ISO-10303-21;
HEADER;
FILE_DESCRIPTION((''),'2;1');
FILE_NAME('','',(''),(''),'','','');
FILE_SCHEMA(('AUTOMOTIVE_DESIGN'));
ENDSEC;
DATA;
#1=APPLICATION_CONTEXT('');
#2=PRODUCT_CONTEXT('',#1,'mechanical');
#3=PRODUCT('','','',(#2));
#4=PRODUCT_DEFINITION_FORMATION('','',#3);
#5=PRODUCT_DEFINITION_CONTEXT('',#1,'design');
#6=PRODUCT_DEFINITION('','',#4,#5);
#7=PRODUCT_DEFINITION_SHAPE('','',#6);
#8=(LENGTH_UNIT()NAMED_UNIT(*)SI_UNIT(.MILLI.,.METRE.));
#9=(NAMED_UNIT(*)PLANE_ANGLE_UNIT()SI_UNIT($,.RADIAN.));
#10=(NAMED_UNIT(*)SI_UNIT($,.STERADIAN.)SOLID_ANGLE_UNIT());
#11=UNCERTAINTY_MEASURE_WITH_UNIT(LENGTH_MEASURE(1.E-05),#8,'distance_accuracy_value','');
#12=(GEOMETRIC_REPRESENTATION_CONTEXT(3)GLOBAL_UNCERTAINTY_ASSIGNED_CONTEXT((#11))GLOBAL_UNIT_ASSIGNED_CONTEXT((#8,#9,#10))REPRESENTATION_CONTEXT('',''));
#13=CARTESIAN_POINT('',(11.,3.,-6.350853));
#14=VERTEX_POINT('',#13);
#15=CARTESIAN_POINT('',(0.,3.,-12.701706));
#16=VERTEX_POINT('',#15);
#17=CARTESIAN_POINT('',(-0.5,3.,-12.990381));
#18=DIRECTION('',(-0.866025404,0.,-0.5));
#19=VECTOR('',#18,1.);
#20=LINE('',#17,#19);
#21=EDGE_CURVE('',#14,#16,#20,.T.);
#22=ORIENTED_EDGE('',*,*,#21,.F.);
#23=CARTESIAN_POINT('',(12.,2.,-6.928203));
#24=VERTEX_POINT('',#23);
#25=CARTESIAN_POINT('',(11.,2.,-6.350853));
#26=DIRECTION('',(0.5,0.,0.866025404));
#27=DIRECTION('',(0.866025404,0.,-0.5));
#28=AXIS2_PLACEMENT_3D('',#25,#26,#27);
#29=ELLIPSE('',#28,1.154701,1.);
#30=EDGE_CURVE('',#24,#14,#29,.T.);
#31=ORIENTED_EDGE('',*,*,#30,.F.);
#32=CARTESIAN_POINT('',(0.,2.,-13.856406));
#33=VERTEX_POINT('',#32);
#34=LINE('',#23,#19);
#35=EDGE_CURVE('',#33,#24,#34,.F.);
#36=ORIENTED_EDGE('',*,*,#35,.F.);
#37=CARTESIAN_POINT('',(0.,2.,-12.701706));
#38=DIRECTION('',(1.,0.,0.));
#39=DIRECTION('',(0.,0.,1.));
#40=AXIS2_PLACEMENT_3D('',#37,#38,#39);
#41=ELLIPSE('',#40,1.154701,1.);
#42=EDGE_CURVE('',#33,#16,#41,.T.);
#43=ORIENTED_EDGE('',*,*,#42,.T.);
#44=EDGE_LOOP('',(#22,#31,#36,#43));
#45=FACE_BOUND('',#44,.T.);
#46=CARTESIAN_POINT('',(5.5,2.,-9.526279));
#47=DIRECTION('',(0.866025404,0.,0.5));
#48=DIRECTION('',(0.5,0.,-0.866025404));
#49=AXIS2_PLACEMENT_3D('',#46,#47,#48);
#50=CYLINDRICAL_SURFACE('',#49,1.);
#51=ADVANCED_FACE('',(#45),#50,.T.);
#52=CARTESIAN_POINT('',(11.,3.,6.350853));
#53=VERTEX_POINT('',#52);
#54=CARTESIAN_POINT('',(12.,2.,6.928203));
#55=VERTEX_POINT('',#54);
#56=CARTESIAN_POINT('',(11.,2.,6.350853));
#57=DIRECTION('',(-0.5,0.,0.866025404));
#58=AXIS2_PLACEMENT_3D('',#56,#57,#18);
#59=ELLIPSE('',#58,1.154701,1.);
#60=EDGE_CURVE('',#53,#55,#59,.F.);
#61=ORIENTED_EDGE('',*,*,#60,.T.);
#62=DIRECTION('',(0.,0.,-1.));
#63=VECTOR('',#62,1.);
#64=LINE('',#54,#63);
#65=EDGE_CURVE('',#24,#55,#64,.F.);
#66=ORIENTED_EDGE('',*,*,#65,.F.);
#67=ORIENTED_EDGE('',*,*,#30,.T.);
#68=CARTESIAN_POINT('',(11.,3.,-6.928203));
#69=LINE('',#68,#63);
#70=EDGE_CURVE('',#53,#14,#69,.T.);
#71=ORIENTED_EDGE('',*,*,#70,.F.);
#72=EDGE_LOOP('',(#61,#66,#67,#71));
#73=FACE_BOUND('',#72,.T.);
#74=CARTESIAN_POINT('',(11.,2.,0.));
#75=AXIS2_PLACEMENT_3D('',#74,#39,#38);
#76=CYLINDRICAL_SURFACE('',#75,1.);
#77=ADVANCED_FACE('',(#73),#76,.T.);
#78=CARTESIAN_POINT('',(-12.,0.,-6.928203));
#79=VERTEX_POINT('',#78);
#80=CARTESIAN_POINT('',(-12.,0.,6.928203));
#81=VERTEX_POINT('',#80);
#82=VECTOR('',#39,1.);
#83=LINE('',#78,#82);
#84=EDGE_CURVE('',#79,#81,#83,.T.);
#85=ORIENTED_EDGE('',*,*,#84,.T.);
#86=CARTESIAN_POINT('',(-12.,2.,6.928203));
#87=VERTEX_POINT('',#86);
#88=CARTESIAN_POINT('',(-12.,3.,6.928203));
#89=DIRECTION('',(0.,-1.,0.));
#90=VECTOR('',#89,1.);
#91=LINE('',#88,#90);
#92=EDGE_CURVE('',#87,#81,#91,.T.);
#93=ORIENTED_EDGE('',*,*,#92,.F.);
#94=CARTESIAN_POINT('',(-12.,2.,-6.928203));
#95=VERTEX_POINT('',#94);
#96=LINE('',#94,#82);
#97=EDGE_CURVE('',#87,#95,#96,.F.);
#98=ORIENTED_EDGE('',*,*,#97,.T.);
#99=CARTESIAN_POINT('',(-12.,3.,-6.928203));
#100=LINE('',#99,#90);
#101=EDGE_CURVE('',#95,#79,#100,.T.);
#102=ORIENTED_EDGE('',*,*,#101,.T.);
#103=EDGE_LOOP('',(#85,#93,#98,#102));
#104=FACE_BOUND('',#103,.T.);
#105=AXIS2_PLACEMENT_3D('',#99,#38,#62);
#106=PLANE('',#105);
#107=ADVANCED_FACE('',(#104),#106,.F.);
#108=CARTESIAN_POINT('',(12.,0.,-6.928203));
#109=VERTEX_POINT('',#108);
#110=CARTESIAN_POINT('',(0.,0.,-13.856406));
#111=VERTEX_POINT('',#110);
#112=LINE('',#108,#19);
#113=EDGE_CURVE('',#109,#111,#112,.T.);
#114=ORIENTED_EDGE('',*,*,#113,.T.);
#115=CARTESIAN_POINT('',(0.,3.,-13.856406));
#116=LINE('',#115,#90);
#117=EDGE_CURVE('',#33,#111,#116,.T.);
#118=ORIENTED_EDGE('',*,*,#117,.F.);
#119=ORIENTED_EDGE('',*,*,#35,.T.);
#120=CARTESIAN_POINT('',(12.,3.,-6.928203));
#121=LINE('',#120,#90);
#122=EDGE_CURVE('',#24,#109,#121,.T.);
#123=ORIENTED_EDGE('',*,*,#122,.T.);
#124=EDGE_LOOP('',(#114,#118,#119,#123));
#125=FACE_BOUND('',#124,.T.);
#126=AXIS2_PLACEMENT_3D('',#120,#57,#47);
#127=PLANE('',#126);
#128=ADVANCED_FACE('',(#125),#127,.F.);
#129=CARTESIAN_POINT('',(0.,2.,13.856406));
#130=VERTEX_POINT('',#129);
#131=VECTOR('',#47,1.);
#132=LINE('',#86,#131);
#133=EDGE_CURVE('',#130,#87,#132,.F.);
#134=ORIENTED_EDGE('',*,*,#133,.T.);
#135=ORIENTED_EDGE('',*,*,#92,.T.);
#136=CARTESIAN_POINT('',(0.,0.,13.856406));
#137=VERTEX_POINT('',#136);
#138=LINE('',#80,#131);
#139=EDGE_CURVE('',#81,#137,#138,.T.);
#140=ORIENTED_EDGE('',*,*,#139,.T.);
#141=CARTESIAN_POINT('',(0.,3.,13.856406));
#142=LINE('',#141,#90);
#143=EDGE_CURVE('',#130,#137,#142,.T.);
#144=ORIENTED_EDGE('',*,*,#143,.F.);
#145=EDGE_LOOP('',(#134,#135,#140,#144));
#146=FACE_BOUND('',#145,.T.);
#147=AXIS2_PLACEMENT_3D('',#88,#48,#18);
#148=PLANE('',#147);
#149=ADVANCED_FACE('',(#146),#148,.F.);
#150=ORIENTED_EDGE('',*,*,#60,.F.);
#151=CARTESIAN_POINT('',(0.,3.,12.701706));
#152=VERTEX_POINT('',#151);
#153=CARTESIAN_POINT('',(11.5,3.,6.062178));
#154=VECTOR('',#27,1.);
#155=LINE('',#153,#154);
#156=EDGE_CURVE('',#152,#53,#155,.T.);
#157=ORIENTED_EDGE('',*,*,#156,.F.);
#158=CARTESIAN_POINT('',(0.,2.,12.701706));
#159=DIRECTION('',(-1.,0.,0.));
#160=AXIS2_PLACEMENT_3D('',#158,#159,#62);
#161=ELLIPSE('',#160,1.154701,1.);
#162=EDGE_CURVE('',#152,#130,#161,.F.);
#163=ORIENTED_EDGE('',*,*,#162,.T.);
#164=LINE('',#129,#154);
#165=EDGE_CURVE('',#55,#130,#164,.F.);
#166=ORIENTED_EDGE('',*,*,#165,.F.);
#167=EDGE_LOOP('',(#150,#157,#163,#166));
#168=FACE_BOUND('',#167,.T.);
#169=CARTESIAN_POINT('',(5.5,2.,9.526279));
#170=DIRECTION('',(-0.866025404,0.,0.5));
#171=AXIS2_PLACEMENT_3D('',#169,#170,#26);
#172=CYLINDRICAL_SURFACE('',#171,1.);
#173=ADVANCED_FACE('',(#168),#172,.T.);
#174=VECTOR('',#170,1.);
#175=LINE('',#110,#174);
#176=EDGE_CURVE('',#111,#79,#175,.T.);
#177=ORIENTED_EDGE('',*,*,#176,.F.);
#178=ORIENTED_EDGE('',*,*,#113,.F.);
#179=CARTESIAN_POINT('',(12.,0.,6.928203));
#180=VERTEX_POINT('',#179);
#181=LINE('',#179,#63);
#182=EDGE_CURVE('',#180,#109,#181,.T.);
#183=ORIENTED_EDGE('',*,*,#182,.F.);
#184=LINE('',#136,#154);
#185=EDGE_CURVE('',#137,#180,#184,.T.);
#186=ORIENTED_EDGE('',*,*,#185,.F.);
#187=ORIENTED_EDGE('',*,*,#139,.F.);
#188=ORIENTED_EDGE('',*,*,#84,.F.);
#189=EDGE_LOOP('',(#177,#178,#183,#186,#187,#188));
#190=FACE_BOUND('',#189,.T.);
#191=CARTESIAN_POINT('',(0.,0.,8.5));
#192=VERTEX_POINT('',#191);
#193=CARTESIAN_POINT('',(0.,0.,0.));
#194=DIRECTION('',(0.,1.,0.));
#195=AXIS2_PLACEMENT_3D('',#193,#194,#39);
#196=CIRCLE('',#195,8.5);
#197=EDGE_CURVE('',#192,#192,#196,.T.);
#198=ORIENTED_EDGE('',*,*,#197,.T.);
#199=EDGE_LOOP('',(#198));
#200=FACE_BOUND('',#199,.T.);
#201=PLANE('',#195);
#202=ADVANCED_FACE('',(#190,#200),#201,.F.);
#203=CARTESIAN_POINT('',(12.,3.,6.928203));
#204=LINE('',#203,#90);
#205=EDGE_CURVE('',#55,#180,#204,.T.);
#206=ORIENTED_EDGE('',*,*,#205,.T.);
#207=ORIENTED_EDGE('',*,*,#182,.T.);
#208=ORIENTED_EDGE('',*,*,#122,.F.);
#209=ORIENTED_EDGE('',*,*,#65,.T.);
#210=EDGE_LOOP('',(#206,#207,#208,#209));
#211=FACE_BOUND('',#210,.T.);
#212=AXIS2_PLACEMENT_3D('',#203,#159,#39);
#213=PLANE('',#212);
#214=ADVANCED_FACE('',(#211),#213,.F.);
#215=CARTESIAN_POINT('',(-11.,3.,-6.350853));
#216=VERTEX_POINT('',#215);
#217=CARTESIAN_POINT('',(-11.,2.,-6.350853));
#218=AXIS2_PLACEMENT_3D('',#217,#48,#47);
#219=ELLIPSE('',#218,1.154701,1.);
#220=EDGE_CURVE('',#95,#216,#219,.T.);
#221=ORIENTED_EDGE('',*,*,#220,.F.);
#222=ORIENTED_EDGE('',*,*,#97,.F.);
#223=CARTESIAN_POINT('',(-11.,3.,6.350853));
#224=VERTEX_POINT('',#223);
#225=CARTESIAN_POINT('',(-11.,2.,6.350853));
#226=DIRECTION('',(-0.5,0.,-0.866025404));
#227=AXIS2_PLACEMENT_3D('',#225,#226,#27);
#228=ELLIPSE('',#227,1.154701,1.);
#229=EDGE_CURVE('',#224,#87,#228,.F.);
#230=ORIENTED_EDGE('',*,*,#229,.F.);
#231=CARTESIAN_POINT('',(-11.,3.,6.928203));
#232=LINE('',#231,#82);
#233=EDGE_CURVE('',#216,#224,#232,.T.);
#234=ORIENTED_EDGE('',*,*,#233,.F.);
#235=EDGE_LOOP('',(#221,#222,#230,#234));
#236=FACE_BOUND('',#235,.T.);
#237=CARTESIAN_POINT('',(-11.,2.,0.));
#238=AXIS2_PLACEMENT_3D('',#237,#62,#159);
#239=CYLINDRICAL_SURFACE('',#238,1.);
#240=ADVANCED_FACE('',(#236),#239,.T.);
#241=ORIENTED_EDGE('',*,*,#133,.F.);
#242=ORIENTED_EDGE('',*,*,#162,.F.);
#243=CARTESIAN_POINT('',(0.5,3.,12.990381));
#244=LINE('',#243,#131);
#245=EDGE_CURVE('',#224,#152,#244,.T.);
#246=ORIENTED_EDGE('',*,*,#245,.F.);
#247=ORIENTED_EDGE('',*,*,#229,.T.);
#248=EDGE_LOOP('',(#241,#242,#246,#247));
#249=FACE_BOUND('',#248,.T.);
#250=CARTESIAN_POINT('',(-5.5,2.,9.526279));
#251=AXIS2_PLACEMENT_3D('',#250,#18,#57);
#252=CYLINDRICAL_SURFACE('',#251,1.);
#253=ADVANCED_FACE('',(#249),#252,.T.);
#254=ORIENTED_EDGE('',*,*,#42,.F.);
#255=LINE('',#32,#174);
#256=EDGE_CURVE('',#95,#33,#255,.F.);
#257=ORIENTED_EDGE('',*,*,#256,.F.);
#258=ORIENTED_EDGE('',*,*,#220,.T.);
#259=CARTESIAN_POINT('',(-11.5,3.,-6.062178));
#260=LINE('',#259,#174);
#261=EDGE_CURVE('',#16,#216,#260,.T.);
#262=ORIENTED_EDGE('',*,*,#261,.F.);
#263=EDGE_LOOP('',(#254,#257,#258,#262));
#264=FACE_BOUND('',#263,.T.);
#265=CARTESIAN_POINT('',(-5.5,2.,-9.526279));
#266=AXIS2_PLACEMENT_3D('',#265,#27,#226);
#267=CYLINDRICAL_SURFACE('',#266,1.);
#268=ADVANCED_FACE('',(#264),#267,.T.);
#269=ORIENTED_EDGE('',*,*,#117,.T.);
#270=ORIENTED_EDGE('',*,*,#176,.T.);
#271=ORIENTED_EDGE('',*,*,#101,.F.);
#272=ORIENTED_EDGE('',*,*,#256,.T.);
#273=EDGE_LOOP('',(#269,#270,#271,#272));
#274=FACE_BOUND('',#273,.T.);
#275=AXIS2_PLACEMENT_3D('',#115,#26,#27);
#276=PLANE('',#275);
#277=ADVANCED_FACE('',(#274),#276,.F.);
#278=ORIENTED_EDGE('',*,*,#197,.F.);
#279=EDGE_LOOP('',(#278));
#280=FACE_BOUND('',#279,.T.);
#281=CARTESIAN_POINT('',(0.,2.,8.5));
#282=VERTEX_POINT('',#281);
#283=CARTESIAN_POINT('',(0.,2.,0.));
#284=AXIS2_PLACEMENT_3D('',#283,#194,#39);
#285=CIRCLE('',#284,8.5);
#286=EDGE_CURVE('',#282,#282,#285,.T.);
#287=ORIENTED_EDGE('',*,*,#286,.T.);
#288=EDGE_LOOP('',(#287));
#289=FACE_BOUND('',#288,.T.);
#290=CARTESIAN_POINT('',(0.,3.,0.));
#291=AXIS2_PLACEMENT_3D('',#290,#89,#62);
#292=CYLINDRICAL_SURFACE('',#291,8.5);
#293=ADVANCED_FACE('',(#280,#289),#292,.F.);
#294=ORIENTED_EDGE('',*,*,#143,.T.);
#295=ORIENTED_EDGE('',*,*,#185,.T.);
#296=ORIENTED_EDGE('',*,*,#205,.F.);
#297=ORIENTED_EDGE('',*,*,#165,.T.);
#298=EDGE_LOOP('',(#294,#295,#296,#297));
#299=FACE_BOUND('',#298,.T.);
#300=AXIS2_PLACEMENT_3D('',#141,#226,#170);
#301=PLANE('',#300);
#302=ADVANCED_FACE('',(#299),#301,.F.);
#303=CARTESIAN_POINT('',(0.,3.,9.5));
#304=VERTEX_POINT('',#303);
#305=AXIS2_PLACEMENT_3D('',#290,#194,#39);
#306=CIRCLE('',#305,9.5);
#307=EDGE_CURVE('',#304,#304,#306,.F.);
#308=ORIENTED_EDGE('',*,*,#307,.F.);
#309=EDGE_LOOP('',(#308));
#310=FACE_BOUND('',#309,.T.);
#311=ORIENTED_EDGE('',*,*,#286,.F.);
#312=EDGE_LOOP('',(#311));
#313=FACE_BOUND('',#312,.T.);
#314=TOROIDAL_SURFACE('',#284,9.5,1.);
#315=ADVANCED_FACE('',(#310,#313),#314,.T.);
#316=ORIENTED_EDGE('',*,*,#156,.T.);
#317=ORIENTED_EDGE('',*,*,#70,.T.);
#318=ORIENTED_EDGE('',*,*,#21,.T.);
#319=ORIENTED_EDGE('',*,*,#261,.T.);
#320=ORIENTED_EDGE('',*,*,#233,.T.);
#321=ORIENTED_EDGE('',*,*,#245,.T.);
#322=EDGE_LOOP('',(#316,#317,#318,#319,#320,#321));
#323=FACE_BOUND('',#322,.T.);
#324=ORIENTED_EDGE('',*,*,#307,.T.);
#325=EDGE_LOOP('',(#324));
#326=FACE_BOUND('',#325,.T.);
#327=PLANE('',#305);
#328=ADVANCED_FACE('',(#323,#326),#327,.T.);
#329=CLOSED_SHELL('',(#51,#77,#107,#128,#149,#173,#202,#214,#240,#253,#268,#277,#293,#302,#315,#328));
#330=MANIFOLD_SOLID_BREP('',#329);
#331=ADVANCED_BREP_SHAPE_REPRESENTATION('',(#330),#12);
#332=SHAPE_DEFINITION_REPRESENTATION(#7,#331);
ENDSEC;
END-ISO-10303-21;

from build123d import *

# Parameters (mm, degrees)
SKETCH_1_R      = 8.5
EXTRUDE_1_DEPTH = 3
FILLET_1_R      = 1


with BuildPart() as part:
    # 草图1 → 凸台-拉伸1 (new body)
    with BuildSketch(Plane(origin=(0, 0, 0), x_dir=(1, 0, 0), z_dir=(0, 1, 0))):
        Polygon((0, 13.856406461), (-12, 6.92820323), (-12, -6.92820323), (0, -13.856406461), (12, -6.92820323), (12, 6.92820323), align=None)
        with Locations(Location((0, 0, 0), (0, 0, 270))):
            Circle(SKETCH_1_R, mode=Mode.SUBTRACT)
    extrude(amount=EXTRUDE_1_DEPTH)

    # 圆角1
    fillet_1_edges = [part.edges().sort_by_distance(p)[0] for p in [
        (-12, 3, 0),
        (-6, 3, 10.392304845),
        (6, 3, 10.392304845),
        (0, 3, -8.5),
        (12, 3, 0),
        (6, 3, -10.392304845),
        (-6, 3, -10.392304845),
    ]]
    fillet(fillet_1_edges, radius=FILLET_1_R)


solid = part.part
